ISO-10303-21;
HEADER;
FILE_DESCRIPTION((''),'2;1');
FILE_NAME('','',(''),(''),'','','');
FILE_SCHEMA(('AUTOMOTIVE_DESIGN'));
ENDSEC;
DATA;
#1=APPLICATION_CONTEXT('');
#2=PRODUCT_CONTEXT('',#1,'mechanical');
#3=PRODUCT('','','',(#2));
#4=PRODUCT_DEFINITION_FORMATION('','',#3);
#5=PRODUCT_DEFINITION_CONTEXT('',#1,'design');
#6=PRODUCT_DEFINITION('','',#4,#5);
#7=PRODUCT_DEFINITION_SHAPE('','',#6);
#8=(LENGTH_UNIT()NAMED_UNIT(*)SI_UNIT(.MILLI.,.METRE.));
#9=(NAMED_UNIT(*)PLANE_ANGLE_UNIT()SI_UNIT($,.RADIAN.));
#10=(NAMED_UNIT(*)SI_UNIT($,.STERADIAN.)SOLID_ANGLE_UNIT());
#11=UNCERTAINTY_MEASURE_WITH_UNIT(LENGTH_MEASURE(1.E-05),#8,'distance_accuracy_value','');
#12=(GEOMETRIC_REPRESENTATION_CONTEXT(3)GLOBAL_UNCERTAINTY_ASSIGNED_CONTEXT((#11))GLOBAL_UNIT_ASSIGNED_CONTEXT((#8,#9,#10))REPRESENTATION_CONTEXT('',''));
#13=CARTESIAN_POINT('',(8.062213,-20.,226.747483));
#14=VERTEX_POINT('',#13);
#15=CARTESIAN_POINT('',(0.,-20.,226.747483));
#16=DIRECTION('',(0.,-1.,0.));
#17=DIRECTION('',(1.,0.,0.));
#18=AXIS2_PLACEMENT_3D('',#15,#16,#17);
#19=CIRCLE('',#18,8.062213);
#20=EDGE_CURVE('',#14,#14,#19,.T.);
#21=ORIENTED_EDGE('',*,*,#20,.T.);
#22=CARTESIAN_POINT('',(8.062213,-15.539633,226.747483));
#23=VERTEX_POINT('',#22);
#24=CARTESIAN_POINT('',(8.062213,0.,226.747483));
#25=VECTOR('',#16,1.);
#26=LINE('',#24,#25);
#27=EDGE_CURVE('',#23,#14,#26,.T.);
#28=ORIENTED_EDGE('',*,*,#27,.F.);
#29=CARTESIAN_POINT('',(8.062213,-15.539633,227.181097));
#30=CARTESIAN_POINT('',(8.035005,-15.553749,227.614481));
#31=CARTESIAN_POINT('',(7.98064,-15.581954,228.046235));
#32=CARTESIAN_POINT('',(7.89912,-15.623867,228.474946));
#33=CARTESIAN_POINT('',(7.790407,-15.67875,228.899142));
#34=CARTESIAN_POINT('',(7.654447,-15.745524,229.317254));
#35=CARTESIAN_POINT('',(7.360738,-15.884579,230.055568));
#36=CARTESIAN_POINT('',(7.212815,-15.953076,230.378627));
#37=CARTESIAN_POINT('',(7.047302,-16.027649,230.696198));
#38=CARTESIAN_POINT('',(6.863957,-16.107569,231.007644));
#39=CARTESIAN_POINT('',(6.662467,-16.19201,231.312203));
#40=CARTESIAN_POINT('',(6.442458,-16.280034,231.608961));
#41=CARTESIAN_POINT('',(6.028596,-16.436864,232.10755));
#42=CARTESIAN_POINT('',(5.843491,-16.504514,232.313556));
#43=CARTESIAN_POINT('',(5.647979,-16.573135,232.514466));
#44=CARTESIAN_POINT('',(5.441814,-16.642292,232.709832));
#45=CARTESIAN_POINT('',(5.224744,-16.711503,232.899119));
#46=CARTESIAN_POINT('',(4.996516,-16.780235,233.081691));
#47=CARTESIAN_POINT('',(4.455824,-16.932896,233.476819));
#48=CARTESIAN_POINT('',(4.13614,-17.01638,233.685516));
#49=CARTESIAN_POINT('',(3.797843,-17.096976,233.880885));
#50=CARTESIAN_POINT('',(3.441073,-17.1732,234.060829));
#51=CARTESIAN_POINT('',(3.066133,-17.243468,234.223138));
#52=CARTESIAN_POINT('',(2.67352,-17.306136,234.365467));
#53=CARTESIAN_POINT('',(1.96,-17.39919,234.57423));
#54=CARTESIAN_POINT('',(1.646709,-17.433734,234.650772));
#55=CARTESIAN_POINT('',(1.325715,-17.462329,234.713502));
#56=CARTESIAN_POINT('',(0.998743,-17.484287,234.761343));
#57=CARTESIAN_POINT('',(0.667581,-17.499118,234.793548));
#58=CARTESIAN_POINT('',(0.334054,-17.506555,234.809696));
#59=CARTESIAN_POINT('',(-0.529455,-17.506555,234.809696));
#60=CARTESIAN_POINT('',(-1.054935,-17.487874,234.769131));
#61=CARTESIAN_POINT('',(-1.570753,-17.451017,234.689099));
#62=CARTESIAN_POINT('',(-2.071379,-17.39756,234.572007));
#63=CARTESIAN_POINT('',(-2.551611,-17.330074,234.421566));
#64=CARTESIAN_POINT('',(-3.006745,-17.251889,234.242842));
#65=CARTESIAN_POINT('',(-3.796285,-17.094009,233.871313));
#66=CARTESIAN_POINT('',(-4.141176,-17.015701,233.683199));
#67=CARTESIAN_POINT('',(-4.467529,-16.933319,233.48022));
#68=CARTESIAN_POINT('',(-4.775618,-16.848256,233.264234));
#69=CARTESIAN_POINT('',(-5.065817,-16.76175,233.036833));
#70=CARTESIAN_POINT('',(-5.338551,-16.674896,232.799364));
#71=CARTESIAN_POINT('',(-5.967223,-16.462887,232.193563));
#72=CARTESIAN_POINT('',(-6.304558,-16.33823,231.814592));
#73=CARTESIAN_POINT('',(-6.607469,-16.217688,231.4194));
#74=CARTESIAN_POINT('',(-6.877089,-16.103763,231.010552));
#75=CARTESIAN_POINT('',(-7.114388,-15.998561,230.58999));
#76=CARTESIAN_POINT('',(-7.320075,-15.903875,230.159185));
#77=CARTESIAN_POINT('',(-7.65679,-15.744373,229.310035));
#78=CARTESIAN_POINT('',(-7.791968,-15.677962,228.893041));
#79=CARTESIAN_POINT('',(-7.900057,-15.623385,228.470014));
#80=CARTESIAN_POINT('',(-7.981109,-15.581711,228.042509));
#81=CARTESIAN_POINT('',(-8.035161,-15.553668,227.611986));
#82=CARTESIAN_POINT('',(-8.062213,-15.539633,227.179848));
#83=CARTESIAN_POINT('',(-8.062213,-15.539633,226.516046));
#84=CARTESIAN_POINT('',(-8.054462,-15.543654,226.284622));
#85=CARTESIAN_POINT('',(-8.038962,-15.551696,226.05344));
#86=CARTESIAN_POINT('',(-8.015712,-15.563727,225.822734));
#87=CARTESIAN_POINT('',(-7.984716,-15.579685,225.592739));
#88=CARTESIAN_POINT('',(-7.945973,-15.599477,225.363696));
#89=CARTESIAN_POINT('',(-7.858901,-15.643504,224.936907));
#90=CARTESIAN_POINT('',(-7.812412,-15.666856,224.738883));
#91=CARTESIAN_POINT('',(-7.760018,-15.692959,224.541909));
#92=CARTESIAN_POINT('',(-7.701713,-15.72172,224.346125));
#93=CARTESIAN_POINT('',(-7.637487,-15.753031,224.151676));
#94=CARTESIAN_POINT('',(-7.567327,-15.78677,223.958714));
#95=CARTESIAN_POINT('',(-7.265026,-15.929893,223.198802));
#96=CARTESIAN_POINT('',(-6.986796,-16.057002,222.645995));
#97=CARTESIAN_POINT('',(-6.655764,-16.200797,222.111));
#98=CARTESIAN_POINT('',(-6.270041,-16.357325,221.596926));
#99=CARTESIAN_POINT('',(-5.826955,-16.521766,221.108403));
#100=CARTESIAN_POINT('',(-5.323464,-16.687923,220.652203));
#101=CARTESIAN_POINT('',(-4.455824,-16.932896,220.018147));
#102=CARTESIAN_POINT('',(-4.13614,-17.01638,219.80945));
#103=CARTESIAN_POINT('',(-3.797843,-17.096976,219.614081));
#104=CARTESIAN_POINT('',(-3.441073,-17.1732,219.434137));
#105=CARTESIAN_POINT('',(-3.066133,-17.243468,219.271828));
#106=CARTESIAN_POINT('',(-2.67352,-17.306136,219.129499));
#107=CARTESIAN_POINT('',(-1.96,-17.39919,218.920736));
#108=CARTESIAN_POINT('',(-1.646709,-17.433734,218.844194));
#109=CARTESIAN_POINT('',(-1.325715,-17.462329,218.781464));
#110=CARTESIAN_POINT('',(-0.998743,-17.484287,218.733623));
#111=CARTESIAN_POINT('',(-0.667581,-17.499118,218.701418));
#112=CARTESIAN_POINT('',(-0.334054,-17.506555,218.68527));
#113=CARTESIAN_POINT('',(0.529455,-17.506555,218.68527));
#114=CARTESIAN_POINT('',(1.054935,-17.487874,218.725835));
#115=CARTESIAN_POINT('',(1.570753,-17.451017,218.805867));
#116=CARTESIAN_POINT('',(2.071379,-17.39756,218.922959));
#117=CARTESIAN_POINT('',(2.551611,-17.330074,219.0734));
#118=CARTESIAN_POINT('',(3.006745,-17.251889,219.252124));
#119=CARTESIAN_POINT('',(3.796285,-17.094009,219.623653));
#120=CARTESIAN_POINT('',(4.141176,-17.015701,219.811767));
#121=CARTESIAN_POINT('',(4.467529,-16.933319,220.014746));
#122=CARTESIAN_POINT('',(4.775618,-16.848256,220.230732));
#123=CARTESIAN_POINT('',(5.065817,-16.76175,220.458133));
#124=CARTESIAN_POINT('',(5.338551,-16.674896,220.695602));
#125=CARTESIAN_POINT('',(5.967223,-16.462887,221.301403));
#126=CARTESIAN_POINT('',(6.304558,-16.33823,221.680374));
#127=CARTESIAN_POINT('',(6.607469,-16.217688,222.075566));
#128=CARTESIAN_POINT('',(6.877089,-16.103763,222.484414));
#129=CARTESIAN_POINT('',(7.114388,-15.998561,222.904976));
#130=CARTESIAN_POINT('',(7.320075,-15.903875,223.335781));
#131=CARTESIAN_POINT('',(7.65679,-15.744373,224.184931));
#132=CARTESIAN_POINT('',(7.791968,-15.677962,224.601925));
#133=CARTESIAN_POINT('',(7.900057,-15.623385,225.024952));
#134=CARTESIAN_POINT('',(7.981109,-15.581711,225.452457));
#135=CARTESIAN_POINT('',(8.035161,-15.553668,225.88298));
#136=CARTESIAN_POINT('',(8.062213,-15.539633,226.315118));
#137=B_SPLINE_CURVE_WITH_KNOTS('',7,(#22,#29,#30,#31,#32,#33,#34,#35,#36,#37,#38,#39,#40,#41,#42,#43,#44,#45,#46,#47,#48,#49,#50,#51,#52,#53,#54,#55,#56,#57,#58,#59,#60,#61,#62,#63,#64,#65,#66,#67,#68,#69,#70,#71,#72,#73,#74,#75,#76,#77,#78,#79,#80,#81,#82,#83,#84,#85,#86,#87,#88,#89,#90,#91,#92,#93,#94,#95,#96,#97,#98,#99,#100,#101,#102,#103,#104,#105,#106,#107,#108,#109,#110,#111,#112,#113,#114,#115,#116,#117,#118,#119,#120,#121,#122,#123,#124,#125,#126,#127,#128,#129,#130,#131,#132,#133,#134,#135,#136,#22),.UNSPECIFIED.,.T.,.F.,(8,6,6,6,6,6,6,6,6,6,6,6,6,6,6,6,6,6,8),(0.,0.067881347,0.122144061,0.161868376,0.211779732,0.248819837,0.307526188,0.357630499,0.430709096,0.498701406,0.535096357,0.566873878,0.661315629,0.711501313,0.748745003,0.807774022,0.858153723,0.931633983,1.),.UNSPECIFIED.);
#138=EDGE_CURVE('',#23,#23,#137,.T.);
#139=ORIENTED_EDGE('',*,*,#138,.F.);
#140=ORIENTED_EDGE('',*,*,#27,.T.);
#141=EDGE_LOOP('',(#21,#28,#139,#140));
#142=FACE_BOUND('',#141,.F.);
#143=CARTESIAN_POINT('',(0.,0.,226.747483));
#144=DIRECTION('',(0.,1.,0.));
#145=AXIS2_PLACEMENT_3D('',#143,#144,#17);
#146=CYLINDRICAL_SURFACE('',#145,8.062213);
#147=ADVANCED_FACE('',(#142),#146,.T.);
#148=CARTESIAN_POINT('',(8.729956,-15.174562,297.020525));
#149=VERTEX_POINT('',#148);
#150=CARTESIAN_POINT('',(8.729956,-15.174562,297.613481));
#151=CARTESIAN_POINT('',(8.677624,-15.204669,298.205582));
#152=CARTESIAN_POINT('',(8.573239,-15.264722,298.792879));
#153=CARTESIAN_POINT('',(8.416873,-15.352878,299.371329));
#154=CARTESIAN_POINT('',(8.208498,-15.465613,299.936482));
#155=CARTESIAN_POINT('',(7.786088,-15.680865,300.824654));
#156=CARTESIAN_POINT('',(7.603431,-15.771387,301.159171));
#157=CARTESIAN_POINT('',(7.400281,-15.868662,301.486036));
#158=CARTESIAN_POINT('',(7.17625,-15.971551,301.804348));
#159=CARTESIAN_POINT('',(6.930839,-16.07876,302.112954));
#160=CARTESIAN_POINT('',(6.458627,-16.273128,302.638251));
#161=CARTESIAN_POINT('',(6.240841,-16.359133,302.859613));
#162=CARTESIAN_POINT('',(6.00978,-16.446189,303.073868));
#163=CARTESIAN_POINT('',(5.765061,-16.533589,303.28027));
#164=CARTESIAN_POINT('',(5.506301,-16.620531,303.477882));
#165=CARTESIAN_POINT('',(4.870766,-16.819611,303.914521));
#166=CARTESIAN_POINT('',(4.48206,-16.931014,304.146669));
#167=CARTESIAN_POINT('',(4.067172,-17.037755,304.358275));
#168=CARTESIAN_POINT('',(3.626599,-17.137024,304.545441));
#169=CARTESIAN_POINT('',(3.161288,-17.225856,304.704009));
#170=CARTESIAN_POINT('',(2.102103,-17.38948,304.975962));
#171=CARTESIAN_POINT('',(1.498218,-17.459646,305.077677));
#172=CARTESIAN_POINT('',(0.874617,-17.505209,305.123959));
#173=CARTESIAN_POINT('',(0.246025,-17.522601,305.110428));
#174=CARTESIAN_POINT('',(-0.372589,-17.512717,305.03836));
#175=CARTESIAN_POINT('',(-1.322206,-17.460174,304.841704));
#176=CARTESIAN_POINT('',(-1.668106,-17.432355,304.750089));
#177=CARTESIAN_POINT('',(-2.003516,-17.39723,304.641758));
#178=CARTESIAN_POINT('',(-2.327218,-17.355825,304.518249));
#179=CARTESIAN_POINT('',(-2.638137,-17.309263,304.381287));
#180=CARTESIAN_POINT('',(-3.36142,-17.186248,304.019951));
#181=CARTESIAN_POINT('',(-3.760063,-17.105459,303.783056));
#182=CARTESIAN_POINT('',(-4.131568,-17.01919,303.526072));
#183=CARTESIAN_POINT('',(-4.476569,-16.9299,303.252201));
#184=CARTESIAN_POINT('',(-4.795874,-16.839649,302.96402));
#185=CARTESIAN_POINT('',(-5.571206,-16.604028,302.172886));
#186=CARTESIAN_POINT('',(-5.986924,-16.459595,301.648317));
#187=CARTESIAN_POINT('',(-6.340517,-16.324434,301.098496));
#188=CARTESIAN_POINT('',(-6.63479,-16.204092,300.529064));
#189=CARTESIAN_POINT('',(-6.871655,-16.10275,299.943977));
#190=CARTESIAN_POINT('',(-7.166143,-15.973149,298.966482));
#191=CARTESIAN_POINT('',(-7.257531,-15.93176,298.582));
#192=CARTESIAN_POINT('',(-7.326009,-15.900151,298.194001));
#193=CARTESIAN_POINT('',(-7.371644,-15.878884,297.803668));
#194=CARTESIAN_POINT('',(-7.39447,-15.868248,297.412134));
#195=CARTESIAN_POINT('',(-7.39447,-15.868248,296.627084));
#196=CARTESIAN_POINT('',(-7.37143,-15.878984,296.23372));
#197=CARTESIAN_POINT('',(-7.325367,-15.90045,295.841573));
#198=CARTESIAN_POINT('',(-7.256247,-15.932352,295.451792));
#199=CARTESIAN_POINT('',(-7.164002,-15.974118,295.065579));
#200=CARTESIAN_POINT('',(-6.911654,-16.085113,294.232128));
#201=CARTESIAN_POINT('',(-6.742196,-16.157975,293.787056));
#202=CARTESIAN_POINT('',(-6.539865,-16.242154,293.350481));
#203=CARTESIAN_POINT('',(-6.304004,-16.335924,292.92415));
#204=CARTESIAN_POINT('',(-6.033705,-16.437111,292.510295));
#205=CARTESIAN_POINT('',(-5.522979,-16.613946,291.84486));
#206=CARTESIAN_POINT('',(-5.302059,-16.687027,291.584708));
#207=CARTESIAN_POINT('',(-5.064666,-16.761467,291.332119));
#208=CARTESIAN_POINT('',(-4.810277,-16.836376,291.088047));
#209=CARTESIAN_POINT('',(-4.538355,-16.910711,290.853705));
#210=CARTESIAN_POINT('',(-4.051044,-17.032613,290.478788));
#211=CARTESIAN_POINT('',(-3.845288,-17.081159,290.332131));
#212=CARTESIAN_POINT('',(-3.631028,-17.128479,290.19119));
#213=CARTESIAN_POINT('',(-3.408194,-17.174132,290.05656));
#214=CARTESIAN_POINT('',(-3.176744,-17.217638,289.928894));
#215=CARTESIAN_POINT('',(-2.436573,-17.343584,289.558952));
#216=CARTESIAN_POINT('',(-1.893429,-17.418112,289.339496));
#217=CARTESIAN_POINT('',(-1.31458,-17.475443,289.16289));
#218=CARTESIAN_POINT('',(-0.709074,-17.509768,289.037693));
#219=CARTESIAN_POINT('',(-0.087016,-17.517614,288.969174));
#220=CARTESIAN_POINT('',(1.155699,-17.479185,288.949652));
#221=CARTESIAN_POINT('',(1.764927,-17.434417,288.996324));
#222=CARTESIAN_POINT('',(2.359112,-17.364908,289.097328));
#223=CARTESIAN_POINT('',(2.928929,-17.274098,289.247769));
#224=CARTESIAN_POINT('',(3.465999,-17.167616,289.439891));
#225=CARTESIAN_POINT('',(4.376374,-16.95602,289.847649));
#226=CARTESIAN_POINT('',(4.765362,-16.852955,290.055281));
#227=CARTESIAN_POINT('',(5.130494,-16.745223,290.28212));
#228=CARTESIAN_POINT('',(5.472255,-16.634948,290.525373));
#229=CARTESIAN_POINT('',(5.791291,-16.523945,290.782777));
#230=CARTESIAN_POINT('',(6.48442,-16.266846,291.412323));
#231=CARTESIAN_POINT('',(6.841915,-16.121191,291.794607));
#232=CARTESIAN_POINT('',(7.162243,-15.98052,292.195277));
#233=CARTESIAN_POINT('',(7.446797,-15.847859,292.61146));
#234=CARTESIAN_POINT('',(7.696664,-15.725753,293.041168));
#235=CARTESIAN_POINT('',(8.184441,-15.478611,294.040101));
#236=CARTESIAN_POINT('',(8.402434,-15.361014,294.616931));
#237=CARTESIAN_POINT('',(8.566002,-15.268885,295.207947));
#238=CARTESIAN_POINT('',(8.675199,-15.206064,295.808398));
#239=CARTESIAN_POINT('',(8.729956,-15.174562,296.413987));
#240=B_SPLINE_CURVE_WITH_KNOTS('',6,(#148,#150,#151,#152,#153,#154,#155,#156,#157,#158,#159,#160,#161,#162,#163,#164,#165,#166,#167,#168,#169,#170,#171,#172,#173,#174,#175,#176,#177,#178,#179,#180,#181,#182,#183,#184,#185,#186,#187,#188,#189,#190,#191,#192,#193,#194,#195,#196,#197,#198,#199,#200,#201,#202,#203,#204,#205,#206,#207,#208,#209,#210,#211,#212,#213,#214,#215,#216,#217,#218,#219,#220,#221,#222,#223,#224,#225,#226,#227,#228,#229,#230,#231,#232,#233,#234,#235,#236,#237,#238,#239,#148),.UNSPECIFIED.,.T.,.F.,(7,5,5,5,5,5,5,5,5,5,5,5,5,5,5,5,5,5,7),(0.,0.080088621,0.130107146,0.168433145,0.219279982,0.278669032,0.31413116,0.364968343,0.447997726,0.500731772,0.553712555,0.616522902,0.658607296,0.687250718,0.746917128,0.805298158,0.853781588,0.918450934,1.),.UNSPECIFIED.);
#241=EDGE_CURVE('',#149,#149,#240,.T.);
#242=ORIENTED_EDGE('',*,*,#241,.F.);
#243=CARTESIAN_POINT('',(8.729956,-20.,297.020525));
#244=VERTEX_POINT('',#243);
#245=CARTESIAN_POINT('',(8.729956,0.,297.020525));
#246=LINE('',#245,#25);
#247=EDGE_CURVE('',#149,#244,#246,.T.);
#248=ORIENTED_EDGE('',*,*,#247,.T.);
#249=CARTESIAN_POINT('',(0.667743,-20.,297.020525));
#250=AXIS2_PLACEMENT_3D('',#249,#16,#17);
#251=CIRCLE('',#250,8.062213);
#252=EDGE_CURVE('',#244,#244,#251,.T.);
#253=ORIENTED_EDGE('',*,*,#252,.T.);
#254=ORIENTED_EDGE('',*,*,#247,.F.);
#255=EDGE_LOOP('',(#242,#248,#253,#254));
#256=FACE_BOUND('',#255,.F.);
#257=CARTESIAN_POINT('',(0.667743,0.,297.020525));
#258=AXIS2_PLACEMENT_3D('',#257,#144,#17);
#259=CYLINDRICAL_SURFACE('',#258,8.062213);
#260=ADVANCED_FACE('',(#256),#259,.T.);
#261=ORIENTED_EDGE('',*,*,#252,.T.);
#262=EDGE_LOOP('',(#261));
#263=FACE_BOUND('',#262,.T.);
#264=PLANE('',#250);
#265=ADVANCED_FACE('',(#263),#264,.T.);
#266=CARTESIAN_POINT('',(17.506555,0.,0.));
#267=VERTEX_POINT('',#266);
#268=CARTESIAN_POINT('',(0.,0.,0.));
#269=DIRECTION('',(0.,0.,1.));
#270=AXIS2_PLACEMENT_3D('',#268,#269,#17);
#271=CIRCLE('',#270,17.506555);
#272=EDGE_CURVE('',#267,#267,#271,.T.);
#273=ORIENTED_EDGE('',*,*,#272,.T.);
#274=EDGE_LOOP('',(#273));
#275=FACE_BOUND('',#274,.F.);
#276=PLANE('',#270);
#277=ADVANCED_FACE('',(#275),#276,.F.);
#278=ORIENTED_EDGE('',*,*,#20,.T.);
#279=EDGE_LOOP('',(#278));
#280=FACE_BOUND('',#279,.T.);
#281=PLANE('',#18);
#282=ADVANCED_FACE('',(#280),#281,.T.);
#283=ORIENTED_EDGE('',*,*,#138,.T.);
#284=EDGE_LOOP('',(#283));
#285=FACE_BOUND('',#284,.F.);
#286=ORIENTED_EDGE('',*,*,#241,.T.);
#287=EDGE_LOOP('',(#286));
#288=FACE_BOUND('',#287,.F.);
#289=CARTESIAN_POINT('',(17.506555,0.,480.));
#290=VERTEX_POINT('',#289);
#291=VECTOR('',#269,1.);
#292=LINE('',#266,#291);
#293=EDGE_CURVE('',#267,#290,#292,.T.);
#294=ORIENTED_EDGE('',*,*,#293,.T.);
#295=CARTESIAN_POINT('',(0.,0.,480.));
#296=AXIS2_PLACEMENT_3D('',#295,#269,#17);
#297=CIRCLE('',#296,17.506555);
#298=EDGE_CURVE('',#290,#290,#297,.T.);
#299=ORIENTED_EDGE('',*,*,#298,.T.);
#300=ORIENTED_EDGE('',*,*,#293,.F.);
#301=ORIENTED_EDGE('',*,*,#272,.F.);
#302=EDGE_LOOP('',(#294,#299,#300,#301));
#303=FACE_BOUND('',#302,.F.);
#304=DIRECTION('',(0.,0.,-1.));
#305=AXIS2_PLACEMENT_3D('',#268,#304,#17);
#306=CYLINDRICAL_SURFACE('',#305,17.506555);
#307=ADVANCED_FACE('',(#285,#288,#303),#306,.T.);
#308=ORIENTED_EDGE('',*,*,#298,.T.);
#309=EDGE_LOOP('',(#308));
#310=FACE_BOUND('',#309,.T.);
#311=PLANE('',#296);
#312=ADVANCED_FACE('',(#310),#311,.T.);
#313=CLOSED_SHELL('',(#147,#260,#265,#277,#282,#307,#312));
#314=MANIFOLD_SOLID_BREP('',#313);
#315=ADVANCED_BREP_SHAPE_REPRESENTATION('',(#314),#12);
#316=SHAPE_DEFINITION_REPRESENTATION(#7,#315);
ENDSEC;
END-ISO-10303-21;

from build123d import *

# Parameters (mm, degrees)
F0_R     = 17.506555
F1_DEPTH = 480
F2_R     = 8.062213
F3_DEPTH = 20
F4_R     = 8.062213
F5_DEPTH = 20


with BuildPart() as f1:
    # F0 (on Top) → F1 (new body)
    with BuildSketch(Plane.XY):
        Circle(F0_R)
    extrude(amount=F1_DEPTH)

    # F2 (on Front) → F3 (join)
    with BuildSketch(Plane.XZ):
        with Locations((0, 226.747483)):
            Circle(F2_R)
    extrude(amount=F3_DEPTH)

    # F4 (on Front) → F5 (join)
    with BuildSketch(Plane.XZ):
        with Locations((0.667743, 297.020525)):
            Circle(F4_R)
    extrude(amount=F5_DEPTH)


solid = f1.part
